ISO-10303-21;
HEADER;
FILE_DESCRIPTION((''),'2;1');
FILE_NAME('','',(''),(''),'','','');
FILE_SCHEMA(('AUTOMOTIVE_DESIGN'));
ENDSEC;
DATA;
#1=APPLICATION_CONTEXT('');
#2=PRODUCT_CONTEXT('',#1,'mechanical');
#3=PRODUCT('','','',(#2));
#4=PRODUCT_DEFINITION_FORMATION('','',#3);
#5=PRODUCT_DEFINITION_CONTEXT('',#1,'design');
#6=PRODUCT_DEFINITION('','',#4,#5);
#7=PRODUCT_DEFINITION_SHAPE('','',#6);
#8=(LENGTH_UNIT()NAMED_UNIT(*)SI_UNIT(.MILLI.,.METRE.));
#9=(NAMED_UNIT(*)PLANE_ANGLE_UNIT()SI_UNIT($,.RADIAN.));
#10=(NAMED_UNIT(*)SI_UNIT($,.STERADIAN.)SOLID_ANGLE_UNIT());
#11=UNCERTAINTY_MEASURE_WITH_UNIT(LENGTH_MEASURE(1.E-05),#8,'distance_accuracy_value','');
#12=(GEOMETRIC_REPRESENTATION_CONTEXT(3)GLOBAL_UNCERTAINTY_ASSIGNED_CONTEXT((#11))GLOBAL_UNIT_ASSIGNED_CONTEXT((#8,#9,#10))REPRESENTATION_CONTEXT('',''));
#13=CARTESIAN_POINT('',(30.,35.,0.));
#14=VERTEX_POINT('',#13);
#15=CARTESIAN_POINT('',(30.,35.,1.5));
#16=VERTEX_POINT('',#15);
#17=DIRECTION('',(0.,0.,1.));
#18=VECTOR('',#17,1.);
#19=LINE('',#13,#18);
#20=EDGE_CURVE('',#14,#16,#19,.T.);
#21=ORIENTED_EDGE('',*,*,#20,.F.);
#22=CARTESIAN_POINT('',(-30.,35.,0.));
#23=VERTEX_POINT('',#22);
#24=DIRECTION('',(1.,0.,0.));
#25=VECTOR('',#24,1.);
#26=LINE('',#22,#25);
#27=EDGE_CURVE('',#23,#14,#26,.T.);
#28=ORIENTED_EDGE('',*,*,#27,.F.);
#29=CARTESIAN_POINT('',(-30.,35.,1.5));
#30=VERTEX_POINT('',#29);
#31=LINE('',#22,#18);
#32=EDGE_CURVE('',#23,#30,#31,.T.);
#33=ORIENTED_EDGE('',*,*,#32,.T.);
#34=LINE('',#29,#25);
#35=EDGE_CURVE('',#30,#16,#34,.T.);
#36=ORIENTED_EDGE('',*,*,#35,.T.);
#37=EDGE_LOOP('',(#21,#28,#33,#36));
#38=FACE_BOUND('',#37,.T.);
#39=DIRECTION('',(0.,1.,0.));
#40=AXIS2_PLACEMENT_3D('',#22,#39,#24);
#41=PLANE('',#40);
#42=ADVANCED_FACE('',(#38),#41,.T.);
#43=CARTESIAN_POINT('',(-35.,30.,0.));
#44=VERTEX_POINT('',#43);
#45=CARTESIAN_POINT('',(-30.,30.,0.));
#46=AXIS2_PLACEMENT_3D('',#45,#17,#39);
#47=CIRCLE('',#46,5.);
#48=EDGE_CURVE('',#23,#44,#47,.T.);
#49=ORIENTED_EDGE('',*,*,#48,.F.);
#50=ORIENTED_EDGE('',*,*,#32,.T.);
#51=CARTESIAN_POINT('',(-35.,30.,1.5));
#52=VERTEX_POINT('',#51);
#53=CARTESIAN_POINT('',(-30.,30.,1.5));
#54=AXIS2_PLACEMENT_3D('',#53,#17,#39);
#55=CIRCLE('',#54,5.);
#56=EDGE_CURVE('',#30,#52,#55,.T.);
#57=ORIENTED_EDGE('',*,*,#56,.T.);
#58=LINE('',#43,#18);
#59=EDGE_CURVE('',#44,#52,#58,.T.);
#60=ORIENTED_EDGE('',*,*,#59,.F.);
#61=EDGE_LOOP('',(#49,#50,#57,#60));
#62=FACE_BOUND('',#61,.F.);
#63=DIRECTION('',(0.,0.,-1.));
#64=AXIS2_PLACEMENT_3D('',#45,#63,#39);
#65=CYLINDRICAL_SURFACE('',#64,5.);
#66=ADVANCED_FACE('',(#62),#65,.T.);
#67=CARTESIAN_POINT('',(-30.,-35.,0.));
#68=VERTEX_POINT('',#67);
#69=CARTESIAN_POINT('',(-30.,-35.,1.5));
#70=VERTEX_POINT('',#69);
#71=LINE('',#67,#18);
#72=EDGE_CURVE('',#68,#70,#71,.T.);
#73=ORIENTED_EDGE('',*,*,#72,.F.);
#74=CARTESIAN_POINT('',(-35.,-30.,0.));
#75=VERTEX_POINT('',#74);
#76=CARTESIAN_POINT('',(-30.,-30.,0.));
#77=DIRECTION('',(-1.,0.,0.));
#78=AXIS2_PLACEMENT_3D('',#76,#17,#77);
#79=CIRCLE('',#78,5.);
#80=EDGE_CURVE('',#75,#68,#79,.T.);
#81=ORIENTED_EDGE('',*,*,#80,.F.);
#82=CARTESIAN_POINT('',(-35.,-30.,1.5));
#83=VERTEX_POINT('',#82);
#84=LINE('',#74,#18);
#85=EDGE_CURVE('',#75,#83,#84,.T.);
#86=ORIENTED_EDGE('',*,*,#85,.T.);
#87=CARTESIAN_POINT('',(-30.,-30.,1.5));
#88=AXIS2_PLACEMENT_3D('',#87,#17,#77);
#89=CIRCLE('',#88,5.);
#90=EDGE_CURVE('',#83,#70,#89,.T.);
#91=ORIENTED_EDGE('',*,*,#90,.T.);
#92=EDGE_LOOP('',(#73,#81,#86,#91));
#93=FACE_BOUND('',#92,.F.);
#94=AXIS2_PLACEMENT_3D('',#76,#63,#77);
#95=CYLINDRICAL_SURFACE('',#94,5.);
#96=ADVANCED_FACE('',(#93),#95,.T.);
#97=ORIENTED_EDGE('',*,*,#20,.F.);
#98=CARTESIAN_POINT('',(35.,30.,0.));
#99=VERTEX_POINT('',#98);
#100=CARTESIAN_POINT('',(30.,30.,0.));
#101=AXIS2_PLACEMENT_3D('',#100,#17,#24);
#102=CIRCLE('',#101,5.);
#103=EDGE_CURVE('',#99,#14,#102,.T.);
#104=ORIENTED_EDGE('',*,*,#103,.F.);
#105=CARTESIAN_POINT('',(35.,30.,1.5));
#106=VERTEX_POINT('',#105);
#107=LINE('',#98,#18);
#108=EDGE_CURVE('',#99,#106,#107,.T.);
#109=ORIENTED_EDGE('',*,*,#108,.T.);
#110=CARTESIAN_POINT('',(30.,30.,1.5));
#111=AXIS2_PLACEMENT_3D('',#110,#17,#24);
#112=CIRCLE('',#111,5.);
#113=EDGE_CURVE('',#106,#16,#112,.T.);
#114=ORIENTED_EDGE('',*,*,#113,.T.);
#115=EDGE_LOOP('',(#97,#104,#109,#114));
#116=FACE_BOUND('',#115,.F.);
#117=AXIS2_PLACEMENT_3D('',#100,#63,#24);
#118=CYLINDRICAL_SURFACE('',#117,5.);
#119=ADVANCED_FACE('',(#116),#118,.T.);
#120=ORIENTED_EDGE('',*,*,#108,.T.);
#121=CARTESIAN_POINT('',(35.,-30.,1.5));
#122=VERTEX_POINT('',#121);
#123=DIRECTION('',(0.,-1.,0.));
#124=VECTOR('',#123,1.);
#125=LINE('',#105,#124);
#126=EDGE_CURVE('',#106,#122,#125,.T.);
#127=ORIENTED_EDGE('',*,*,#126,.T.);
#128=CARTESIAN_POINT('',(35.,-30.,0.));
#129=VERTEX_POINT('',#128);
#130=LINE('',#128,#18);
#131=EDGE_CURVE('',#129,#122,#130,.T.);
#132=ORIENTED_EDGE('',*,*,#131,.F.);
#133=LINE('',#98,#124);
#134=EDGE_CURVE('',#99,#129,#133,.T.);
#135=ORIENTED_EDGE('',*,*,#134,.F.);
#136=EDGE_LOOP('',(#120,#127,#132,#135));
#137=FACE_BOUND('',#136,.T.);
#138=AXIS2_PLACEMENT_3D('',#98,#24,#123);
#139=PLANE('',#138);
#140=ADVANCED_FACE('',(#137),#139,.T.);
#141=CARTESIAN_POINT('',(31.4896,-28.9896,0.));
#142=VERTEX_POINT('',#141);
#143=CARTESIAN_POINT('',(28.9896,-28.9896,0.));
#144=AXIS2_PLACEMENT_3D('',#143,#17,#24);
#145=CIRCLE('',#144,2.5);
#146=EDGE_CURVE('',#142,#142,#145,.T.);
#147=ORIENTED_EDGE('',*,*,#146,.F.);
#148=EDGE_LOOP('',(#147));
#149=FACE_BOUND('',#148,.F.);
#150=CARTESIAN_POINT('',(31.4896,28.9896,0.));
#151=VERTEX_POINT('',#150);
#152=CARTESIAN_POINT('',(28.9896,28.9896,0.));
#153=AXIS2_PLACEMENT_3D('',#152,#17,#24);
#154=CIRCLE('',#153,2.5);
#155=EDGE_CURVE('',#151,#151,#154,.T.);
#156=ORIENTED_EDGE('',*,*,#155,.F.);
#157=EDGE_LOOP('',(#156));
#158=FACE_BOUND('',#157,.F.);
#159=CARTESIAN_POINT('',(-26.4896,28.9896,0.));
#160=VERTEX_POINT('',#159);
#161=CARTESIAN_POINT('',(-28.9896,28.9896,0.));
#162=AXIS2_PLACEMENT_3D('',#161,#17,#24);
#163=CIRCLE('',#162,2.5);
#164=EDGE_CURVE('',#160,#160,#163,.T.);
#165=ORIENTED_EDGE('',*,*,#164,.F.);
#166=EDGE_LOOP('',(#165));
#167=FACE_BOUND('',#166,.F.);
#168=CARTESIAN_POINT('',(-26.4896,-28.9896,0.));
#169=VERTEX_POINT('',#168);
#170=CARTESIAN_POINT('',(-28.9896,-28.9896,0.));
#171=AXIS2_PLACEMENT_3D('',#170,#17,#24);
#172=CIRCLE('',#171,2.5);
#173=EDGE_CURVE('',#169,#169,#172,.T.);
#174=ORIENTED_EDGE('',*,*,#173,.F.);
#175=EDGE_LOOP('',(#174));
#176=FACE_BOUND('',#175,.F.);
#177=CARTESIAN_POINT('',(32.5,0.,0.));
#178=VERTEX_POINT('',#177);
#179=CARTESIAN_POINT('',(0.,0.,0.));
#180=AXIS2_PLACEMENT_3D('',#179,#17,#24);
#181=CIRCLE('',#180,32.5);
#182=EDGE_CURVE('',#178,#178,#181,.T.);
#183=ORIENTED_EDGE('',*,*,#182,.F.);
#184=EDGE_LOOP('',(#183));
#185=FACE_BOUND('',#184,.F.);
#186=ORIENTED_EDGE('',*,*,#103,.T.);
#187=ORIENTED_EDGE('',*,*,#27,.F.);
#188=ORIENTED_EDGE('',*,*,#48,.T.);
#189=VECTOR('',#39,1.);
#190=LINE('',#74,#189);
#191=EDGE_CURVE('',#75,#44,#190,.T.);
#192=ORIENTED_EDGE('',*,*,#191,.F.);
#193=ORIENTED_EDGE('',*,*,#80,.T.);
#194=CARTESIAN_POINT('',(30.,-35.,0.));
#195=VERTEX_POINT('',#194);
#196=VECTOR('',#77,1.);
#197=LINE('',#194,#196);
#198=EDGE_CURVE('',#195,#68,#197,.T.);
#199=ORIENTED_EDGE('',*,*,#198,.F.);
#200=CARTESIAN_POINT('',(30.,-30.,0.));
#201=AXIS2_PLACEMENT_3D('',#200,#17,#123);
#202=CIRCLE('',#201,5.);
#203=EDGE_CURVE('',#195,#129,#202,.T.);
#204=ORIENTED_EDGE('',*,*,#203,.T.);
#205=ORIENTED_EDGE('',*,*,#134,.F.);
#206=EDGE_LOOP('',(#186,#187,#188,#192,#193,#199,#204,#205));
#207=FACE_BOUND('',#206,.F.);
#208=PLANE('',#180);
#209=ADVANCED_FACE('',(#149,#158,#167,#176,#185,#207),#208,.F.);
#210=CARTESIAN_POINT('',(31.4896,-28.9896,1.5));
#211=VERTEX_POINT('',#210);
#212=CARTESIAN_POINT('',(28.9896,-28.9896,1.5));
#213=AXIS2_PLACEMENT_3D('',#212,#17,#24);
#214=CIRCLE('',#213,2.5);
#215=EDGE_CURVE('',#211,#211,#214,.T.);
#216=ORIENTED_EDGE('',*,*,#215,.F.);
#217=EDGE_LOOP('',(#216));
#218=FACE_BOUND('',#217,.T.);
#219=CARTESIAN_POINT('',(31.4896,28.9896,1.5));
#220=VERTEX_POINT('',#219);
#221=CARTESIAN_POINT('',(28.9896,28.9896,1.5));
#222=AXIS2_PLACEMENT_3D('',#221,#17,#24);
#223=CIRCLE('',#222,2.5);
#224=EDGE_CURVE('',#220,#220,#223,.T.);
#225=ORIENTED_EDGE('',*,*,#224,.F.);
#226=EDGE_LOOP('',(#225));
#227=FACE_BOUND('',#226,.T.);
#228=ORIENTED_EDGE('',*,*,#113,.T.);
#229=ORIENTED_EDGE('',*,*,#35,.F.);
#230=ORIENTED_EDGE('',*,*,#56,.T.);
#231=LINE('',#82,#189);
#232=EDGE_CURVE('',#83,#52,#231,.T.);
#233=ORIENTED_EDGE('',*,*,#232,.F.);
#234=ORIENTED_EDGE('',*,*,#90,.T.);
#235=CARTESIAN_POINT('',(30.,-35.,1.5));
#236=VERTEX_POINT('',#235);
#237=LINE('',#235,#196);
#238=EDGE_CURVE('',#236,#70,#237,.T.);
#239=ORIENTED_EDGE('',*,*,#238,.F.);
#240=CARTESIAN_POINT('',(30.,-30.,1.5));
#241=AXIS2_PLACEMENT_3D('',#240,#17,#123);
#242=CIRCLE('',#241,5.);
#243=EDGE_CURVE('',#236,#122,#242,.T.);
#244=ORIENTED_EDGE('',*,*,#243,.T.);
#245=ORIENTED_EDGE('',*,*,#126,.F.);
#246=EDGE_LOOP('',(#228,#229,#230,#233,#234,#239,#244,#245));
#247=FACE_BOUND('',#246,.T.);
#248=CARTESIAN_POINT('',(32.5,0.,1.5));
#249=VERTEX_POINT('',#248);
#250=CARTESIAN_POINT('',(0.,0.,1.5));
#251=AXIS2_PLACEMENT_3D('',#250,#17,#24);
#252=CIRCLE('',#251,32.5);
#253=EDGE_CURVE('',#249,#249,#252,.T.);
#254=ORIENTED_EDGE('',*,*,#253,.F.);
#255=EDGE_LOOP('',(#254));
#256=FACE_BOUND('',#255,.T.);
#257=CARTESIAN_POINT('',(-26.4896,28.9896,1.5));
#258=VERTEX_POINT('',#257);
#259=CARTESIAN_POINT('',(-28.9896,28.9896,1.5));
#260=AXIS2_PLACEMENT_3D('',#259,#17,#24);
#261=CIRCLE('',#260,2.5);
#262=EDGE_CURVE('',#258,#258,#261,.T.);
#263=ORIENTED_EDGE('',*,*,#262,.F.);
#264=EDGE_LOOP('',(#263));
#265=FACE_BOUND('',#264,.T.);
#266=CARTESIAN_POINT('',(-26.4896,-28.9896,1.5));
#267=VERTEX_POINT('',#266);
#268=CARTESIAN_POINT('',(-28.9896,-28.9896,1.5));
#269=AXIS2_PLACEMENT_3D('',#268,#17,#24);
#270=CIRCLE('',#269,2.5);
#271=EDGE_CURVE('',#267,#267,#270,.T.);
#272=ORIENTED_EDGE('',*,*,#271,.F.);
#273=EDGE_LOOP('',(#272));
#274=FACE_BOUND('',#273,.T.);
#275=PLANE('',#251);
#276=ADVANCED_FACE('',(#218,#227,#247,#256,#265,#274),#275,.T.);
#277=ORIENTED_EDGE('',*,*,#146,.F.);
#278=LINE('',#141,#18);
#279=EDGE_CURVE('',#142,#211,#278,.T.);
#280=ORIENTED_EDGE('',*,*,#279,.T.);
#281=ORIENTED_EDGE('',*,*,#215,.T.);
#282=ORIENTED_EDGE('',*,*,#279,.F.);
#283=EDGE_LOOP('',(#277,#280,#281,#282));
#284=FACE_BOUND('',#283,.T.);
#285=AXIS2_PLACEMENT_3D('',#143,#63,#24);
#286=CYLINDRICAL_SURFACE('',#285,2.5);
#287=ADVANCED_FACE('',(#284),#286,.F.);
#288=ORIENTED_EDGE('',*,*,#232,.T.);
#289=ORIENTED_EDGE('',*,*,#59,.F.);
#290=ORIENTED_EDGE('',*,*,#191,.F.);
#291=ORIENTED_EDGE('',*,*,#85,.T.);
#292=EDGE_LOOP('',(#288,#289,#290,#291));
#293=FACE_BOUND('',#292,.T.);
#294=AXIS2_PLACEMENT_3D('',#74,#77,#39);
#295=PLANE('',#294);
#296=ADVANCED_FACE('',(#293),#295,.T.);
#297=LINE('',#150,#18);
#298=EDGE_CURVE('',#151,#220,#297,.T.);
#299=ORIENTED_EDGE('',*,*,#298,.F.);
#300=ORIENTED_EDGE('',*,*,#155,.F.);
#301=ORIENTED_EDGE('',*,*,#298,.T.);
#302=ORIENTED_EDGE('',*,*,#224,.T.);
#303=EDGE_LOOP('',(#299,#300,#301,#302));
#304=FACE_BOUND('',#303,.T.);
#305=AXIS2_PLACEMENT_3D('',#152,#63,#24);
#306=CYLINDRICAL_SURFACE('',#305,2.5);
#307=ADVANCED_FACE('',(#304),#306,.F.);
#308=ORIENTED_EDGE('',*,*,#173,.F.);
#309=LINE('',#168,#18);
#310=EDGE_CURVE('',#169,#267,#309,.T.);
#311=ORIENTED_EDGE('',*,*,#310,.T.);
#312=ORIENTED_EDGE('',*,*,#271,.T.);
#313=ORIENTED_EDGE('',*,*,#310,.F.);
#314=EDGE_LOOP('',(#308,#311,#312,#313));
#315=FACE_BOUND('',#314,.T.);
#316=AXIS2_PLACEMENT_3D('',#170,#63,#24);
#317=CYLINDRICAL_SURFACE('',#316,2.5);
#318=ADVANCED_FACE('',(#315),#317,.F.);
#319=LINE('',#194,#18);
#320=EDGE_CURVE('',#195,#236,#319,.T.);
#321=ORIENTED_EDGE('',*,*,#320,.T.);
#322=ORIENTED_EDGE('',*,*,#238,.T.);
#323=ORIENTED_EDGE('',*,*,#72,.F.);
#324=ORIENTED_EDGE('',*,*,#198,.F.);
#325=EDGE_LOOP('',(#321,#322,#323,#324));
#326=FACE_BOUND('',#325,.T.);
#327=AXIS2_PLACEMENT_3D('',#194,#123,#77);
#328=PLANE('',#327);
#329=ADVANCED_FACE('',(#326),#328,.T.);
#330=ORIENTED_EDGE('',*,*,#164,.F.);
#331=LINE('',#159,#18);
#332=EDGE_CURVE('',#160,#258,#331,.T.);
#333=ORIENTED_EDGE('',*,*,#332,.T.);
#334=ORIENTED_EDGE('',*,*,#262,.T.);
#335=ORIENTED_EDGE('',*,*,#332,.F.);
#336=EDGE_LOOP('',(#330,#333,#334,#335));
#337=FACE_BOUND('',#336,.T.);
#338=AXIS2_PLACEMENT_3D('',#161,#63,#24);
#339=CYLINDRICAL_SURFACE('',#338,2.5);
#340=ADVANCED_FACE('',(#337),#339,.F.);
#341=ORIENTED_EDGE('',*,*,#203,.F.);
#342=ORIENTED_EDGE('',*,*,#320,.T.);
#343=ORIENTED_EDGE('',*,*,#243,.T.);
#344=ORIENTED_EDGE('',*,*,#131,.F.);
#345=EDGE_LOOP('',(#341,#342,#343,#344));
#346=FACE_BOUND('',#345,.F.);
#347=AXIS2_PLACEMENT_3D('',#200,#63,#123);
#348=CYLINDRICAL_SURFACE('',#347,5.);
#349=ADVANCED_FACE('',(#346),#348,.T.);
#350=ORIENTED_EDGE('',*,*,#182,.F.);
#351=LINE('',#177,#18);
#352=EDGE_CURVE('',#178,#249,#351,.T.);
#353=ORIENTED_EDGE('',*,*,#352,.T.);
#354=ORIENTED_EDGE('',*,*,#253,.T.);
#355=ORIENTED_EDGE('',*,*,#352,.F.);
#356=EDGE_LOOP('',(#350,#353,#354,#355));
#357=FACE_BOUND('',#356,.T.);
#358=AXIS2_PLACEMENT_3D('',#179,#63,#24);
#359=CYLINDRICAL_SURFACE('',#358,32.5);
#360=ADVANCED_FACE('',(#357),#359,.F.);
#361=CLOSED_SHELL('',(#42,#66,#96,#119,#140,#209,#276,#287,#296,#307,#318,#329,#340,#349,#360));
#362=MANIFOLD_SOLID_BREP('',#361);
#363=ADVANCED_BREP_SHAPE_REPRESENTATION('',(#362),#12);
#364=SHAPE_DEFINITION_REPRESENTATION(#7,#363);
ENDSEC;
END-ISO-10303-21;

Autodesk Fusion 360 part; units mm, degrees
sketch "Sketch1" plane through (0, 0, 0) normal (0, 0, 1) x (1, 0, 0)
  line L0 (30, -35) -> (-30, -35)
  line L1 (-35, -30) -> (-35, 30)
  line L2 (-30, 35) -> (30, 35)
  line L3 (35, 30) -> (35, -30)
  line L4 (35, -35) -> (-35, 35) construction
  line L5 (-35, -35) -> (35, 35) construction
  circle A0 centre (0, 0) radius 32.5
  circle A1 centre (-28.9896, 28.9896) radius 2.5
  arc A2 (-30, 35) -> (-35, 30) centre (-30, 30) ccw
  arc A3 (35, 30) -> (30, 35) centre (30, 30) ccw
  arc A4 (30, -35) -> (35, -30) centre (30, -30) ccw
  arc A5 (-35, -30) -> (-30, -35) centre (-30, -30) ccw
  line L6 (0, 35) -> (0, -35) construction
  line L7 (-35, 0) -> (35, 0) construction
  circle A6 centre (28.9896, 28.9896) radius 2.5
  circle A7 centre (-28.9896, -28.9896) radius 2.5
  circle A8 centre (28.9896, -28.9896) radius 2.5
  dimension "d1" = 70
  dimension "d2" = 70
  dimension "d3" = 65
  dimension "d4" = 5
  dimension "d5" = 8.5
  dimension "d6" = 5
  dimension "d7" = 5
  dimension "d8" = 5
  dimension "d9" = 5
extrude "Extrude1" add sketch "Sketch1" along normal blind 1.5
